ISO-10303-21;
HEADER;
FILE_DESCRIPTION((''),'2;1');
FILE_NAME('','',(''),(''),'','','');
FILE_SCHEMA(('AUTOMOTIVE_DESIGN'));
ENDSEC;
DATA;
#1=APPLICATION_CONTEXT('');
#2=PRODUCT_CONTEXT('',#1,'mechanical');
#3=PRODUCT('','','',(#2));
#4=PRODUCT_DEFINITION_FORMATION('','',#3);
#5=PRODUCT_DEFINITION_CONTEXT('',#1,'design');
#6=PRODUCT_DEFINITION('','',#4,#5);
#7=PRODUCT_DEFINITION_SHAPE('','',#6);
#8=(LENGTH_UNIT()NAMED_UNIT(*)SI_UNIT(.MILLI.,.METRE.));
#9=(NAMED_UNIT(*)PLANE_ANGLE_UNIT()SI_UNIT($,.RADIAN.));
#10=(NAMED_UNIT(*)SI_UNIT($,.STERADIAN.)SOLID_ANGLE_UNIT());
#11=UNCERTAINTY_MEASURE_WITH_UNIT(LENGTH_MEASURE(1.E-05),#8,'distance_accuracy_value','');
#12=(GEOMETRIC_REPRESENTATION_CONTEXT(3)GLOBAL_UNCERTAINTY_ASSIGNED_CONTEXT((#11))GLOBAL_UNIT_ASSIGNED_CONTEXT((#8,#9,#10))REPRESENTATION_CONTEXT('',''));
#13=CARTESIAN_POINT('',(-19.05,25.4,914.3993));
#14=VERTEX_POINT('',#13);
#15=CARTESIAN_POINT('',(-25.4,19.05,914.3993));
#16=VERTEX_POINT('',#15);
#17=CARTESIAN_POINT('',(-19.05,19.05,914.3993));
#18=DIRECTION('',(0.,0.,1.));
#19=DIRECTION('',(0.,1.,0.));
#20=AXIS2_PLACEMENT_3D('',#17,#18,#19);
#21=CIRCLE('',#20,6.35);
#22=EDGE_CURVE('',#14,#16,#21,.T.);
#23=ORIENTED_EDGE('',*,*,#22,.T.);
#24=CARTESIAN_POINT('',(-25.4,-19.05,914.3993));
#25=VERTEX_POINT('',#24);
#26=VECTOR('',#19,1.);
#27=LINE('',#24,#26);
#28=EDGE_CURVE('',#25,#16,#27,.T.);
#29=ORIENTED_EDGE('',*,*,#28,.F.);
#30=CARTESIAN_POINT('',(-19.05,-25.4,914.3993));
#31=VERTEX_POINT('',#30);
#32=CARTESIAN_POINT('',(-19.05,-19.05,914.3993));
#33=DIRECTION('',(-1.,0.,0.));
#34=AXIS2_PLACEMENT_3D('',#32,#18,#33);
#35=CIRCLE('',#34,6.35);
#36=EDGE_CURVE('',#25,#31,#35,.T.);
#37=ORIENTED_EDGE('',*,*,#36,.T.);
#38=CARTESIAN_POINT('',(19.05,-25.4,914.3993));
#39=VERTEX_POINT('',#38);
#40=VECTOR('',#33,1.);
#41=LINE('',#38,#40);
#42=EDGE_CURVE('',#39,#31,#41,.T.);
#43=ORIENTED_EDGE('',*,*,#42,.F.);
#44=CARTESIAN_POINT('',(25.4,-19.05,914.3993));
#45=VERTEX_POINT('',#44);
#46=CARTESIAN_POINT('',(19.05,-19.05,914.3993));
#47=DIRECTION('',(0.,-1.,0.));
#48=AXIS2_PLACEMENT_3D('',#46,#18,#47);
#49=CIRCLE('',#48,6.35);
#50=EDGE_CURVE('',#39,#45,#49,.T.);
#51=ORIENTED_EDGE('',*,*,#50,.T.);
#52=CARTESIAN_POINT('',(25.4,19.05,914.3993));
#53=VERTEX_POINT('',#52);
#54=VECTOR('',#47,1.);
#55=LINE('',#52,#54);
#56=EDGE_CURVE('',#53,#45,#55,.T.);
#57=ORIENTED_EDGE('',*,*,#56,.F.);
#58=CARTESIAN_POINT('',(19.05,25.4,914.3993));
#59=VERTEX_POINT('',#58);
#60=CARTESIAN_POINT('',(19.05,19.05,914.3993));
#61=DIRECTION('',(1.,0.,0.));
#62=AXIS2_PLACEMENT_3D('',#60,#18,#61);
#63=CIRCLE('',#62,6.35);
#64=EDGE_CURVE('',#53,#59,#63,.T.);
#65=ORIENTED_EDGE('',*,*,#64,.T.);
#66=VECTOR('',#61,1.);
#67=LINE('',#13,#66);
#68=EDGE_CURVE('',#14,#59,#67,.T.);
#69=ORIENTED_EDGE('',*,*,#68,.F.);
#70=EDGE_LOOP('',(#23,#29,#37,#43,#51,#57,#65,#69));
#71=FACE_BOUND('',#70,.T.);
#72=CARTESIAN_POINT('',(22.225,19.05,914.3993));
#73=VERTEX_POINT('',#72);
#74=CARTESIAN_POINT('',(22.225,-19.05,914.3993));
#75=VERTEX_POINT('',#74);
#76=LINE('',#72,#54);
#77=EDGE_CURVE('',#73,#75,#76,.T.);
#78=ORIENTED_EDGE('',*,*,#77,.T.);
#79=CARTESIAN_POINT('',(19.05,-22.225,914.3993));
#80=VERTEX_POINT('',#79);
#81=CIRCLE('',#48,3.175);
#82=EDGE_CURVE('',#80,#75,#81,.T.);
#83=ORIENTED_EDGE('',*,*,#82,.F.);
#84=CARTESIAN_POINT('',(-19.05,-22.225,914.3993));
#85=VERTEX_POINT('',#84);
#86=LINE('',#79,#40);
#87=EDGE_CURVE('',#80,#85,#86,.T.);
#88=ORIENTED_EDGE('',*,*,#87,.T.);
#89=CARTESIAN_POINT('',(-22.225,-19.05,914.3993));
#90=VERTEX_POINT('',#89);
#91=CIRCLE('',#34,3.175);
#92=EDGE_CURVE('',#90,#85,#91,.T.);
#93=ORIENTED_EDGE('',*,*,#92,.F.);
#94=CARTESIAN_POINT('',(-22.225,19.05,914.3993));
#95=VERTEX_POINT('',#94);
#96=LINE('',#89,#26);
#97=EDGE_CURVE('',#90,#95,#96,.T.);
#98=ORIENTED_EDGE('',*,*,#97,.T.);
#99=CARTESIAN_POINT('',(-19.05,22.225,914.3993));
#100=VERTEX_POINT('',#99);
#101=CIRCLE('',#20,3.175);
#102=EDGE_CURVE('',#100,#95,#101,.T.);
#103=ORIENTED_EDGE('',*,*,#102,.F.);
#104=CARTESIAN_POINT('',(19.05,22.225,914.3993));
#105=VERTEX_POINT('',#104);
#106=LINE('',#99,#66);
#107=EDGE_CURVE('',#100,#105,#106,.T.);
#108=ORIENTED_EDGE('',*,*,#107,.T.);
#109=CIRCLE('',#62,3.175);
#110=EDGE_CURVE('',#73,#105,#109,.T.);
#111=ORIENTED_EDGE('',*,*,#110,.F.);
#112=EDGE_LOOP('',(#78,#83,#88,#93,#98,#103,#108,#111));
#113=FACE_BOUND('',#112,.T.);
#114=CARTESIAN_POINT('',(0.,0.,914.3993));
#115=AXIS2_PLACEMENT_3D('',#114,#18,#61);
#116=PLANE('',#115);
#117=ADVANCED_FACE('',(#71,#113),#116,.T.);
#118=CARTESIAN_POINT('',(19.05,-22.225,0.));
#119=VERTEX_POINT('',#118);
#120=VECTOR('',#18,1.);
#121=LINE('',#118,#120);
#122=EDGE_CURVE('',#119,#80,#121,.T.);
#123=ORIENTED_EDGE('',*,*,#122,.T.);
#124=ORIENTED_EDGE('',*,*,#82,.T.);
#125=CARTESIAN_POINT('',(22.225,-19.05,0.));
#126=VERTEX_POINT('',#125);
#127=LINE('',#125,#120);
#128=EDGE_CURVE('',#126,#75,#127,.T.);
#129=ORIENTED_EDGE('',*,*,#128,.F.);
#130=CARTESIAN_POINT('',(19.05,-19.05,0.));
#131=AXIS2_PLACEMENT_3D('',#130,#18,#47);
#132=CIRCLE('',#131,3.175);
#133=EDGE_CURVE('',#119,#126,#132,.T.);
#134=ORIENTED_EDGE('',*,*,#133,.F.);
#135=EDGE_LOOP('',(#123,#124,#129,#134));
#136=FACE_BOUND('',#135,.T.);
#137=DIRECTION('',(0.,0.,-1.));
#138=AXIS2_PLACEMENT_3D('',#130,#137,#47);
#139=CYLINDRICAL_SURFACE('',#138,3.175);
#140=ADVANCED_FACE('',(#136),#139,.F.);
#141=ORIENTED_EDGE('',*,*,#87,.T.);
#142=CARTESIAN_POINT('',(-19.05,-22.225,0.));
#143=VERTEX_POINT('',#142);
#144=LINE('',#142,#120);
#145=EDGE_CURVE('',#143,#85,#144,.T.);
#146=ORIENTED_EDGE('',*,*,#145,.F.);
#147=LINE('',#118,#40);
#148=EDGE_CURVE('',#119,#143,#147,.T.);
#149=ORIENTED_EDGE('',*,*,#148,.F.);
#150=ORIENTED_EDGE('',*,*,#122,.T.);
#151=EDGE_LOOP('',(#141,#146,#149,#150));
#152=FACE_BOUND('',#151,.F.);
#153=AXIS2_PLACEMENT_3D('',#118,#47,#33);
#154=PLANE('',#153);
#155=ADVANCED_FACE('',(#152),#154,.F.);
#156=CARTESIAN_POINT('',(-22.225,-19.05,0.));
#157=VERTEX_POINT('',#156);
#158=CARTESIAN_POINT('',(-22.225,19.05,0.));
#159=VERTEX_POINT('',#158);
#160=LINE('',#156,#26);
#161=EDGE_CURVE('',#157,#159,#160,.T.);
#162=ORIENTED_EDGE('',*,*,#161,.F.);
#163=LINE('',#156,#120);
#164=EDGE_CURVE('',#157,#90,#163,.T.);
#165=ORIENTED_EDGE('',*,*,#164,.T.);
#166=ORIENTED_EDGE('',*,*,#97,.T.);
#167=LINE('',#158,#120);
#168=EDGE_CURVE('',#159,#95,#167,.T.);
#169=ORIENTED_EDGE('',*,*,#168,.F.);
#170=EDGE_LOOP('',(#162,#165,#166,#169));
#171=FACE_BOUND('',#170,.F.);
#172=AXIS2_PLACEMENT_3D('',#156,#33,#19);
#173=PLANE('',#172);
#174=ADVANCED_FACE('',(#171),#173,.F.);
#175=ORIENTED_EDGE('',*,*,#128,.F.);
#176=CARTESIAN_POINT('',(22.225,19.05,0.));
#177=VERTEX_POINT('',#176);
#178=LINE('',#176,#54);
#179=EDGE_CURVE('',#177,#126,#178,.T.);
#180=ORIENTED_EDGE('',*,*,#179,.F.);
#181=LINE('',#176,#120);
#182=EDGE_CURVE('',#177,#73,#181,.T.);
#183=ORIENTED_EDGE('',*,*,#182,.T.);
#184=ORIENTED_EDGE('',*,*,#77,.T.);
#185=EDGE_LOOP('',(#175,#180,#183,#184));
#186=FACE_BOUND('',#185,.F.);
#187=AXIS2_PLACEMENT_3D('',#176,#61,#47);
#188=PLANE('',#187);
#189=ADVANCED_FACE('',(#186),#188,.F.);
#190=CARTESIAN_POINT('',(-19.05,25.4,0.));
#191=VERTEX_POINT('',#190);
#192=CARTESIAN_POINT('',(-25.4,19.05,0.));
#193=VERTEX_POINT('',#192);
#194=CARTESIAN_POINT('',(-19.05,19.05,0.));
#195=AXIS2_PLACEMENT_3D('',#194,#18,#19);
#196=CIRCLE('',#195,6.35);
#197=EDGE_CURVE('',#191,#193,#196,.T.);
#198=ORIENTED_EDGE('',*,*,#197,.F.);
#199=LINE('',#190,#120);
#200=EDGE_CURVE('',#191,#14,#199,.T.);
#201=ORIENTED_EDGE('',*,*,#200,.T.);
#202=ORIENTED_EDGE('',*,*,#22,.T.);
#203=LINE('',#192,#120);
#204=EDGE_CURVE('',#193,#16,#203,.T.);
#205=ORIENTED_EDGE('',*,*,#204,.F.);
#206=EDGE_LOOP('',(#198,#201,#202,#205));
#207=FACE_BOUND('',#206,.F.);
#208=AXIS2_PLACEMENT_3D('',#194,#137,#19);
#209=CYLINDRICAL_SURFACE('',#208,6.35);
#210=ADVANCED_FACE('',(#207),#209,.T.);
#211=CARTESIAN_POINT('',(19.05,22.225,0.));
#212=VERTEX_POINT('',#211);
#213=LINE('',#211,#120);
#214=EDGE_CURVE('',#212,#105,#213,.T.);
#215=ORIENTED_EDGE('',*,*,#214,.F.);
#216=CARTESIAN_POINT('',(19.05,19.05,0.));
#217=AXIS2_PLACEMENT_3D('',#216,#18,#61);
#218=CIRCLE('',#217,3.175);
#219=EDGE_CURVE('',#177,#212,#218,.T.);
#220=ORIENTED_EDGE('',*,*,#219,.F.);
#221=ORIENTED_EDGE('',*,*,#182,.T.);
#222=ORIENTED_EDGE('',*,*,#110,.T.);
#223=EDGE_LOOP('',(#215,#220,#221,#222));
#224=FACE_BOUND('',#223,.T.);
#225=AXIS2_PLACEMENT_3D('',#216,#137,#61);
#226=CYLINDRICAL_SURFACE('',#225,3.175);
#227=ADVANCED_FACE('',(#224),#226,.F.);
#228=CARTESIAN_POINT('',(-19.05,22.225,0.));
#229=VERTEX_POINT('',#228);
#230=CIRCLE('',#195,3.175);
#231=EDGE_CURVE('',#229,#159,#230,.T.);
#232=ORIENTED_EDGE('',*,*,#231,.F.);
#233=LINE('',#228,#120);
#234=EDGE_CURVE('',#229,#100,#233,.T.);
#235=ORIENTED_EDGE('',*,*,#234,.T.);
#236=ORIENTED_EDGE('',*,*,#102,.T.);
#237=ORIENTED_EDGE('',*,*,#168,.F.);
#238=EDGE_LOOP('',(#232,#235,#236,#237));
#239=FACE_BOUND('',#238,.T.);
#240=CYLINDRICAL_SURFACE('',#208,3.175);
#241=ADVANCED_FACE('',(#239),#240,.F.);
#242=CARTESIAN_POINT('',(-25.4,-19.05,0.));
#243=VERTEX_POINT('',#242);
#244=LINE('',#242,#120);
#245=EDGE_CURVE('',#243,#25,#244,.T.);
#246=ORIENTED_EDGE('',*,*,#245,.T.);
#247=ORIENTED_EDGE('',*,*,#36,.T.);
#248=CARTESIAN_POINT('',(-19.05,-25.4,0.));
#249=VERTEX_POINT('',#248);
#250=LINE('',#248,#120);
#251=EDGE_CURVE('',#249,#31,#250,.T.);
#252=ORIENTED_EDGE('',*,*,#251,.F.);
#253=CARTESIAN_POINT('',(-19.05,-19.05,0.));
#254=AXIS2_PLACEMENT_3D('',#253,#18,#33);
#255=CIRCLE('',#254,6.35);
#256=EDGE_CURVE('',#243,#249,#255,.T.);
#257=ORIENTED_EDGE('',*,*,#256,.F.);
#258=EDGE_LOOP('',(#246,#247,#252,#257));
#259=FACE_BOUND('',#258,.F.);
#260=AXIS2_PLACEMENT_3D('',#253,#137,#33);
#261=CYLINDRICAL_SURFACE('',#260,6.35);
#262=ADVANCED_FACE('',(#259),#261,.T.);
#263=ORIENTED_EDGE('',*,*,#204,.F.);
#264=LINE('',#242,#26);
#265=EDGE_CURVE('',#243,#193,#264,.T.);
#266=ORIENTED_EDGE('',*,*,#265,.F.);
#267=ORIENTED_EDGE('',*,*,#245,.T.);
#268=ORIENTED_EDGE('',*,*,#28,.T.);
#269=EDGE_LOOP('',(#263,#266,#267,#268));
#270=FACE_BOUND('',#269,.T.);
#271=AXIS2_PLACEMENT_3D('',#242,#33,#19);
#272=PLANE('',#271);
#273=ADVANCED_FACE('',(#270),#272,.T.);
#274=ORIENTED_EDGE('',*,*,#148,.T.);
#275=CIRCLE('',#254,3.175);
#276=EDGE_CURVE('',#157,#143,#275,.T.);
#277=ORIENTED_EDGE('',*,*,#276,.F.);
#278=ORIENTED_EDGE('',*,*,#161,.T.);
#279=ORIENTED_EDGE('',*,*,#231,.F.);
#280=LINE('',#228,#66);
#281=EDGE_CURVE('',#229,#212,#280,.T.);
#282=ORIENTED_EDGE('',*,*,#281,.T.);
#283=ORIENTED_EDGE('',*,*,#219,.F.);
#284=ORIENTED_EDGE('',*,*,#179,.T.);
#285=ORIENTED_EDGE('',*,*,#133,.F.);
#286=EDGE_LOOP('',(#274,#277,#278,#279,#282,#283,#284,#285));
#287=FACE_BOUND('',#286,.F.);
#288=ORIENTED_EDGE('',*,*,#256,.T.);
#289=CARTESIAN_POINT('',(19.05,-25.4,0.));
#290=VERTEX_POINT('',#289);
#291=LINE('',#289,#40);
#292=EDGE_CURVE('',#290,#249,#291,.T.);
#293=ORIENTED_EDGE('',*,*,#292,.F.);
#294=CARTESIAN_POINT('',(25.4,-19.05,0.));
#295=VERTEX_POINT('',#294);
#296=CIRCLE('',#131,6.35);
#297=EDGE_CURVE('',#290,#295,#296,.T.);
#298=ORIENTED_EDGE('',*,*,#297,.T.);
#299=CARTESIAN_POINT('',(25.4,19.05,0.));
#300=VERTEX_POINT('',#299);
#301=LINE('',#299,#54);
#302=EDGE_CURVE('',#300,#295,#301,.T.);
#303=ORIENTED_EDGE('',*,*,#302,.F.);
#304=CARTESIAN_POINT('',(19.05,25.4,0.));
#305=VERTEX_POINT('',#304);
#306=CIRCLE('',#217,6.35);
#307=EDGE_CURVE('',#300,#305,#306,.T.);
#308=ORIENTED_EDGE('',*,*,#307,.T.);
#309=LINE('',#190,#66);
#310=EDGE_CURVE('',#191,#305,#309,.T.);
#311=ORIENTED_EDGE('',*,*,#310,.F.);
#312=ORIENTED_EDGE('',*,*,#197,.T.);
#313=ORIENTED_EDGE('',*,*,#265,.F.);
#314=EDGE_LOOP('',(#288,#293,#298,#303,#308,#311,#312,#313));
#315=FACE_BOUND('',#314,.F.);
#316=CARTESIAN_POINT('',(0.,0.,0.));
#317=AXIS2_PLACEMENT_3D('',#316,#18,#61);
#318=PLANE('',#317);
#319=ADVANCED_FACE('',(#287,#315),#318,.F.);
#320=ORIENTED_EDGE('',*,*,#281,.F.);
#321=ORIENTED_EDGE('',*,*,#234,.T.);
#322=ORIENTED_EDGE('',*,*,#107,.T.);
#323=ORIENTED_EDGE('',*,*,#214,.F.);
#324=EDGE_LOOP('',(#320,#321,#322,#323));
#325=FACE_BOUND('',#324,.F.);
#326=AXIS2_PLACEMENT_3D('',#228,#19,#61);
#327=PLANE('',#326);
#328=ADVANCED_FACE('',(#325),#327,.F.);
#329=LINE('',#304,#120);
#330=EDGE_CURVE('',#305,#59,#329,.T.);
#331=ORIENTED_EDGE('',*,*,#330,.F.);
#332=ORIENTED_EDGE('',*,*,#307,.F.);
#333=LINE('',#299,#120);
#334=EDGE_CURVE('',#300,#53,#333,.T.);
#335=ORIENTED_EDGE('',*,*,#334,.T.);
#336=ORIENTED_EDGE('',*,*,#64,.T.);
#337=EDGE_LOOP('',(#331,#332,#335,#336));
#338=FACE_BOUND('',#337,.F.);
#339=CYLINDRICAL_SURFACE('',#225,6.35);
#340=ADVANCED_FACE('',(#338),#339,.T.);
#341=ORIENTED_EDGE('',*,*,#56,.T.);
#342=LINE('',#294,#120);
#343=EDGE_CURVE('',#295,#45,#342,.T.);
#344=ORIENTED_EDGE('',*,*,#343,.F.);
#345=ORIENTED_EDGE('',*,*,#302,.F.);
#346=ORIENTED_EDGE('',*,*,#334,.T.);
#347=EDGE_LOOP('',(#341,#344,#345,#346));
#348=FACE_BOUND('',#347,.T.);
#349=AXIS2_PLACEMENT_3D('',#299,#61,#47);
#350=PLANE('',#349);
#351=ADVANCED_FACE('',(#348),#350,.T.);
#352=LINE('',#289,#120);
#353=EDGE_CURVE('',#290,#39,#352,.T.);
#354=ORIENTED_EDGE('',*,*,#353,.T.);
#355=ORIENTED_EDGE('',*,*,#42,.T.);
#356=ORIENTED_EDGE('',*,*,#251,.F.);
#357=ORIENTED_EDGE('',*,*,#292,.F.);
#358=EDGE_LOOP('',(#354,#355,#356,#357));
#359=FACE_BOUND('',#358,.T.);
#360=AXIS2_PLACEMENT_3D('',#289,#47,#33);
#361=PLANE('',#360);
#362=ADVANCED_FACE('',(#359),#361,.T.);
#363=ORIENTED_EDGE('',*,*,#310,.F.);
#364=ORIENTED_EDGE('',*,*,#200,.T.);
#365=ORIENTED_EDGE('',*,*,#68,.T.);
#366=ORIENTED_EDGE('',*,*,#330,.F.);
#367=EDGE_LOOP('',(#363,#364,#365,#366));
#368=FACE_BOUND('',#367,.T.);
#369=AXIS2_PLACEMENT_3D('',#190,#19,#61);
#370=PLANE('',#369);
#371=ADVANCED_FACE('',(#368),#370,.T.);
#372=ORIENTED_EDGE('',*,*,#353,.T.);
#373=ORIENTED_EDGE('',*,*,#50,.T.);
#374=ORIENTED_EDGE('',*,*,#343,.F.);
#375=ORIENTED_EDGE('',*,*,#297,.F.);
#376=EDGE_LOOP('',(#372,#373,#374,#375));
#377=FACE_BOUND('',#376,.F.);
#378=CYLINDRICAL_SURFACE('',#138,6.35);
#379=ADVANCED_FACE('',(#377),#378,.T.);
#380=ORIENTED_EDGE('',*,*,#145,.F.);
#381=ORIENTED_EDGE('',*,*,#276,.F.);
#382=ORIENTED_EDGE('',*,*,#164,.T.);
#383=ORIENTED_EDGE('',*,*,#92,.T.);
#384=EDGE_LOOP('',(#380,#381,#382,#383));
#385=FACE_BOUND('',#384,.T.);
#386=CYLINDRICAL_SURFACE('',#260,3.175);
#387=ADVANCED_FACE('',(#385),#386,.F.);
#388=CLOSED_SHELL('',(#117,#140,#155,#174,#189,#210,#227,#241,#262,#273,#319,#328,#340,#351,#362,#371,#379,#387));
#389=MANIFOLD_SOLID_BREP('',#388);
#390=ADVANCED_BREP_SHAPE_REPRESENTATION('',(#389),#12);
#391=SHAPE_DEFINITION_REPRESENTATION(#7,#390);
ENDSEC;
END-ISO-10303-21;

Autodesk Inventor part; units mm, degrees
ref_plane "YZ Plane" through (0, 0, 0) normal (1, 0, 0) x (0, 1, 0)
ref_plane "Start plane" through (0, 0, 0) normal (0, 0, 1) x (1, 0, 0)
ref_plane "End plane" through (0, 0, 914.3993) normal (0, 0, 1) x (1, 0, 0)
sketch "Sketch" plane through (0, 0, 0) normal (0, 0, 1) x (1, 0, 0)
  line L0 (-25.4, -19.05) -> (-25.4, 19.05)
  line L1 (-19.05, 25.4) -> (19.05, 25.4)
  line L2 (25.4, 19.05) -> (25.4, -19.05)
  line L3 (19.05, -25.4) -> (-19.05, -25.4)
  arc A0 (-25.4, -19.05) -> (-19.05, -25.4) centre (-19.05, -19.05) ccw
  arc A1 (-19.05, 25.4) -> (-25.4, 19.05) centre (-19.05, 19.05) ccw
  arc A2 (25.4, 19.05) -> (19.05, 25.4) centre (19.05, 19.05) ccw
  arc A3 (19.05, -25.4) -> (25.4, -19.05) centre (19.05, -19.05) ccw
  arc A4 (-19.05, 22.225) -> (-22.225, 19.05) centre (-19.05, 19.05) ccw
  line L4 (-19.05, 22.225) -> (19.05, 22.225)
  arc A5 (22.225, 19.05) -> (19.05, 22.225) centre (19.05, 19.05) ccw
  line L5 (22.225, 19.05) -> (22.225, -19.05)
  arc A6 (19.05, -22.225) -> (22.225, -19.05) centre (19.05, -19.05) ccw
  line L6 (19.05, -22.225) -> (-19.05, -22.225)
  arc A7 (-22.225, -19.05) -> (-19.05, -22.225) centre (-19.05, -19.05) ccw
  line L7 (-22.225, -19.05) -> (-22.225, 19.05)
  line L8 (0, 37.4012) -> (0, -37.4012) construction
  line L9 (-37.4012, 0) -> (37.4012, 0) construction
  dimension "d10" = 50.8
  dimension "d11" = 50.8
  dimension "d12" = 3.175
  dimension "d15" = 25.4
  dimension "d16" = 25.4
  dimension "d17" = 6.35
extrude "Body" add sketch "Sketch" along normal up to surface (914.3993 mm away) from surface at 0
sketch "Sketch3" plane through (0, 0, 0) normal (0, 0, 1) x (1, 0, 0)
  line L0 (0, 0) -> (10, 0)
ref_plane "Work Plane3" through (0, 0, 0) normal (0, -1, 0) x (1, 0, 0)
sketch "Sketch4" plane through (0, 0, 0) normal (0, -1, 0) x (1, 0, 0)
  line L0 (-2, 0) -> (12, 0)
  line L1 (-2, 914.3993) -> (12, 914.3993)
  dimension "d19" = 914.3993
equation "\"d10\" = G_H"
equation "\"d11\" = G_W"
equation "\"d12\" = G_T"
equation "\"d15\" = 0.5 * d10"
equation "\"d16\" = 0.5 * d11"
equation "\"d17\" = G_IR"
equation "\"d3\" = G_L"
equation "\"G_W\" = 50.8"
equation "\"G_H\" = 50.8"
equation "\"G_T\" = 3.175"
equation "\"G_IR\" = 6.35"
equation "\"G_L\" = d19"
equation "\"G_OFFSET_START\" = 0"
equation "\"G_OFFSET_END\" = 0"
equation "\"d14\" = G_OFFSET_END + B_L"
equation "\"B_L\" = 914.39934"
properties part number "AISC HSS - 2 x 2 x 1/8 - 36" material "Steel, Mild"
